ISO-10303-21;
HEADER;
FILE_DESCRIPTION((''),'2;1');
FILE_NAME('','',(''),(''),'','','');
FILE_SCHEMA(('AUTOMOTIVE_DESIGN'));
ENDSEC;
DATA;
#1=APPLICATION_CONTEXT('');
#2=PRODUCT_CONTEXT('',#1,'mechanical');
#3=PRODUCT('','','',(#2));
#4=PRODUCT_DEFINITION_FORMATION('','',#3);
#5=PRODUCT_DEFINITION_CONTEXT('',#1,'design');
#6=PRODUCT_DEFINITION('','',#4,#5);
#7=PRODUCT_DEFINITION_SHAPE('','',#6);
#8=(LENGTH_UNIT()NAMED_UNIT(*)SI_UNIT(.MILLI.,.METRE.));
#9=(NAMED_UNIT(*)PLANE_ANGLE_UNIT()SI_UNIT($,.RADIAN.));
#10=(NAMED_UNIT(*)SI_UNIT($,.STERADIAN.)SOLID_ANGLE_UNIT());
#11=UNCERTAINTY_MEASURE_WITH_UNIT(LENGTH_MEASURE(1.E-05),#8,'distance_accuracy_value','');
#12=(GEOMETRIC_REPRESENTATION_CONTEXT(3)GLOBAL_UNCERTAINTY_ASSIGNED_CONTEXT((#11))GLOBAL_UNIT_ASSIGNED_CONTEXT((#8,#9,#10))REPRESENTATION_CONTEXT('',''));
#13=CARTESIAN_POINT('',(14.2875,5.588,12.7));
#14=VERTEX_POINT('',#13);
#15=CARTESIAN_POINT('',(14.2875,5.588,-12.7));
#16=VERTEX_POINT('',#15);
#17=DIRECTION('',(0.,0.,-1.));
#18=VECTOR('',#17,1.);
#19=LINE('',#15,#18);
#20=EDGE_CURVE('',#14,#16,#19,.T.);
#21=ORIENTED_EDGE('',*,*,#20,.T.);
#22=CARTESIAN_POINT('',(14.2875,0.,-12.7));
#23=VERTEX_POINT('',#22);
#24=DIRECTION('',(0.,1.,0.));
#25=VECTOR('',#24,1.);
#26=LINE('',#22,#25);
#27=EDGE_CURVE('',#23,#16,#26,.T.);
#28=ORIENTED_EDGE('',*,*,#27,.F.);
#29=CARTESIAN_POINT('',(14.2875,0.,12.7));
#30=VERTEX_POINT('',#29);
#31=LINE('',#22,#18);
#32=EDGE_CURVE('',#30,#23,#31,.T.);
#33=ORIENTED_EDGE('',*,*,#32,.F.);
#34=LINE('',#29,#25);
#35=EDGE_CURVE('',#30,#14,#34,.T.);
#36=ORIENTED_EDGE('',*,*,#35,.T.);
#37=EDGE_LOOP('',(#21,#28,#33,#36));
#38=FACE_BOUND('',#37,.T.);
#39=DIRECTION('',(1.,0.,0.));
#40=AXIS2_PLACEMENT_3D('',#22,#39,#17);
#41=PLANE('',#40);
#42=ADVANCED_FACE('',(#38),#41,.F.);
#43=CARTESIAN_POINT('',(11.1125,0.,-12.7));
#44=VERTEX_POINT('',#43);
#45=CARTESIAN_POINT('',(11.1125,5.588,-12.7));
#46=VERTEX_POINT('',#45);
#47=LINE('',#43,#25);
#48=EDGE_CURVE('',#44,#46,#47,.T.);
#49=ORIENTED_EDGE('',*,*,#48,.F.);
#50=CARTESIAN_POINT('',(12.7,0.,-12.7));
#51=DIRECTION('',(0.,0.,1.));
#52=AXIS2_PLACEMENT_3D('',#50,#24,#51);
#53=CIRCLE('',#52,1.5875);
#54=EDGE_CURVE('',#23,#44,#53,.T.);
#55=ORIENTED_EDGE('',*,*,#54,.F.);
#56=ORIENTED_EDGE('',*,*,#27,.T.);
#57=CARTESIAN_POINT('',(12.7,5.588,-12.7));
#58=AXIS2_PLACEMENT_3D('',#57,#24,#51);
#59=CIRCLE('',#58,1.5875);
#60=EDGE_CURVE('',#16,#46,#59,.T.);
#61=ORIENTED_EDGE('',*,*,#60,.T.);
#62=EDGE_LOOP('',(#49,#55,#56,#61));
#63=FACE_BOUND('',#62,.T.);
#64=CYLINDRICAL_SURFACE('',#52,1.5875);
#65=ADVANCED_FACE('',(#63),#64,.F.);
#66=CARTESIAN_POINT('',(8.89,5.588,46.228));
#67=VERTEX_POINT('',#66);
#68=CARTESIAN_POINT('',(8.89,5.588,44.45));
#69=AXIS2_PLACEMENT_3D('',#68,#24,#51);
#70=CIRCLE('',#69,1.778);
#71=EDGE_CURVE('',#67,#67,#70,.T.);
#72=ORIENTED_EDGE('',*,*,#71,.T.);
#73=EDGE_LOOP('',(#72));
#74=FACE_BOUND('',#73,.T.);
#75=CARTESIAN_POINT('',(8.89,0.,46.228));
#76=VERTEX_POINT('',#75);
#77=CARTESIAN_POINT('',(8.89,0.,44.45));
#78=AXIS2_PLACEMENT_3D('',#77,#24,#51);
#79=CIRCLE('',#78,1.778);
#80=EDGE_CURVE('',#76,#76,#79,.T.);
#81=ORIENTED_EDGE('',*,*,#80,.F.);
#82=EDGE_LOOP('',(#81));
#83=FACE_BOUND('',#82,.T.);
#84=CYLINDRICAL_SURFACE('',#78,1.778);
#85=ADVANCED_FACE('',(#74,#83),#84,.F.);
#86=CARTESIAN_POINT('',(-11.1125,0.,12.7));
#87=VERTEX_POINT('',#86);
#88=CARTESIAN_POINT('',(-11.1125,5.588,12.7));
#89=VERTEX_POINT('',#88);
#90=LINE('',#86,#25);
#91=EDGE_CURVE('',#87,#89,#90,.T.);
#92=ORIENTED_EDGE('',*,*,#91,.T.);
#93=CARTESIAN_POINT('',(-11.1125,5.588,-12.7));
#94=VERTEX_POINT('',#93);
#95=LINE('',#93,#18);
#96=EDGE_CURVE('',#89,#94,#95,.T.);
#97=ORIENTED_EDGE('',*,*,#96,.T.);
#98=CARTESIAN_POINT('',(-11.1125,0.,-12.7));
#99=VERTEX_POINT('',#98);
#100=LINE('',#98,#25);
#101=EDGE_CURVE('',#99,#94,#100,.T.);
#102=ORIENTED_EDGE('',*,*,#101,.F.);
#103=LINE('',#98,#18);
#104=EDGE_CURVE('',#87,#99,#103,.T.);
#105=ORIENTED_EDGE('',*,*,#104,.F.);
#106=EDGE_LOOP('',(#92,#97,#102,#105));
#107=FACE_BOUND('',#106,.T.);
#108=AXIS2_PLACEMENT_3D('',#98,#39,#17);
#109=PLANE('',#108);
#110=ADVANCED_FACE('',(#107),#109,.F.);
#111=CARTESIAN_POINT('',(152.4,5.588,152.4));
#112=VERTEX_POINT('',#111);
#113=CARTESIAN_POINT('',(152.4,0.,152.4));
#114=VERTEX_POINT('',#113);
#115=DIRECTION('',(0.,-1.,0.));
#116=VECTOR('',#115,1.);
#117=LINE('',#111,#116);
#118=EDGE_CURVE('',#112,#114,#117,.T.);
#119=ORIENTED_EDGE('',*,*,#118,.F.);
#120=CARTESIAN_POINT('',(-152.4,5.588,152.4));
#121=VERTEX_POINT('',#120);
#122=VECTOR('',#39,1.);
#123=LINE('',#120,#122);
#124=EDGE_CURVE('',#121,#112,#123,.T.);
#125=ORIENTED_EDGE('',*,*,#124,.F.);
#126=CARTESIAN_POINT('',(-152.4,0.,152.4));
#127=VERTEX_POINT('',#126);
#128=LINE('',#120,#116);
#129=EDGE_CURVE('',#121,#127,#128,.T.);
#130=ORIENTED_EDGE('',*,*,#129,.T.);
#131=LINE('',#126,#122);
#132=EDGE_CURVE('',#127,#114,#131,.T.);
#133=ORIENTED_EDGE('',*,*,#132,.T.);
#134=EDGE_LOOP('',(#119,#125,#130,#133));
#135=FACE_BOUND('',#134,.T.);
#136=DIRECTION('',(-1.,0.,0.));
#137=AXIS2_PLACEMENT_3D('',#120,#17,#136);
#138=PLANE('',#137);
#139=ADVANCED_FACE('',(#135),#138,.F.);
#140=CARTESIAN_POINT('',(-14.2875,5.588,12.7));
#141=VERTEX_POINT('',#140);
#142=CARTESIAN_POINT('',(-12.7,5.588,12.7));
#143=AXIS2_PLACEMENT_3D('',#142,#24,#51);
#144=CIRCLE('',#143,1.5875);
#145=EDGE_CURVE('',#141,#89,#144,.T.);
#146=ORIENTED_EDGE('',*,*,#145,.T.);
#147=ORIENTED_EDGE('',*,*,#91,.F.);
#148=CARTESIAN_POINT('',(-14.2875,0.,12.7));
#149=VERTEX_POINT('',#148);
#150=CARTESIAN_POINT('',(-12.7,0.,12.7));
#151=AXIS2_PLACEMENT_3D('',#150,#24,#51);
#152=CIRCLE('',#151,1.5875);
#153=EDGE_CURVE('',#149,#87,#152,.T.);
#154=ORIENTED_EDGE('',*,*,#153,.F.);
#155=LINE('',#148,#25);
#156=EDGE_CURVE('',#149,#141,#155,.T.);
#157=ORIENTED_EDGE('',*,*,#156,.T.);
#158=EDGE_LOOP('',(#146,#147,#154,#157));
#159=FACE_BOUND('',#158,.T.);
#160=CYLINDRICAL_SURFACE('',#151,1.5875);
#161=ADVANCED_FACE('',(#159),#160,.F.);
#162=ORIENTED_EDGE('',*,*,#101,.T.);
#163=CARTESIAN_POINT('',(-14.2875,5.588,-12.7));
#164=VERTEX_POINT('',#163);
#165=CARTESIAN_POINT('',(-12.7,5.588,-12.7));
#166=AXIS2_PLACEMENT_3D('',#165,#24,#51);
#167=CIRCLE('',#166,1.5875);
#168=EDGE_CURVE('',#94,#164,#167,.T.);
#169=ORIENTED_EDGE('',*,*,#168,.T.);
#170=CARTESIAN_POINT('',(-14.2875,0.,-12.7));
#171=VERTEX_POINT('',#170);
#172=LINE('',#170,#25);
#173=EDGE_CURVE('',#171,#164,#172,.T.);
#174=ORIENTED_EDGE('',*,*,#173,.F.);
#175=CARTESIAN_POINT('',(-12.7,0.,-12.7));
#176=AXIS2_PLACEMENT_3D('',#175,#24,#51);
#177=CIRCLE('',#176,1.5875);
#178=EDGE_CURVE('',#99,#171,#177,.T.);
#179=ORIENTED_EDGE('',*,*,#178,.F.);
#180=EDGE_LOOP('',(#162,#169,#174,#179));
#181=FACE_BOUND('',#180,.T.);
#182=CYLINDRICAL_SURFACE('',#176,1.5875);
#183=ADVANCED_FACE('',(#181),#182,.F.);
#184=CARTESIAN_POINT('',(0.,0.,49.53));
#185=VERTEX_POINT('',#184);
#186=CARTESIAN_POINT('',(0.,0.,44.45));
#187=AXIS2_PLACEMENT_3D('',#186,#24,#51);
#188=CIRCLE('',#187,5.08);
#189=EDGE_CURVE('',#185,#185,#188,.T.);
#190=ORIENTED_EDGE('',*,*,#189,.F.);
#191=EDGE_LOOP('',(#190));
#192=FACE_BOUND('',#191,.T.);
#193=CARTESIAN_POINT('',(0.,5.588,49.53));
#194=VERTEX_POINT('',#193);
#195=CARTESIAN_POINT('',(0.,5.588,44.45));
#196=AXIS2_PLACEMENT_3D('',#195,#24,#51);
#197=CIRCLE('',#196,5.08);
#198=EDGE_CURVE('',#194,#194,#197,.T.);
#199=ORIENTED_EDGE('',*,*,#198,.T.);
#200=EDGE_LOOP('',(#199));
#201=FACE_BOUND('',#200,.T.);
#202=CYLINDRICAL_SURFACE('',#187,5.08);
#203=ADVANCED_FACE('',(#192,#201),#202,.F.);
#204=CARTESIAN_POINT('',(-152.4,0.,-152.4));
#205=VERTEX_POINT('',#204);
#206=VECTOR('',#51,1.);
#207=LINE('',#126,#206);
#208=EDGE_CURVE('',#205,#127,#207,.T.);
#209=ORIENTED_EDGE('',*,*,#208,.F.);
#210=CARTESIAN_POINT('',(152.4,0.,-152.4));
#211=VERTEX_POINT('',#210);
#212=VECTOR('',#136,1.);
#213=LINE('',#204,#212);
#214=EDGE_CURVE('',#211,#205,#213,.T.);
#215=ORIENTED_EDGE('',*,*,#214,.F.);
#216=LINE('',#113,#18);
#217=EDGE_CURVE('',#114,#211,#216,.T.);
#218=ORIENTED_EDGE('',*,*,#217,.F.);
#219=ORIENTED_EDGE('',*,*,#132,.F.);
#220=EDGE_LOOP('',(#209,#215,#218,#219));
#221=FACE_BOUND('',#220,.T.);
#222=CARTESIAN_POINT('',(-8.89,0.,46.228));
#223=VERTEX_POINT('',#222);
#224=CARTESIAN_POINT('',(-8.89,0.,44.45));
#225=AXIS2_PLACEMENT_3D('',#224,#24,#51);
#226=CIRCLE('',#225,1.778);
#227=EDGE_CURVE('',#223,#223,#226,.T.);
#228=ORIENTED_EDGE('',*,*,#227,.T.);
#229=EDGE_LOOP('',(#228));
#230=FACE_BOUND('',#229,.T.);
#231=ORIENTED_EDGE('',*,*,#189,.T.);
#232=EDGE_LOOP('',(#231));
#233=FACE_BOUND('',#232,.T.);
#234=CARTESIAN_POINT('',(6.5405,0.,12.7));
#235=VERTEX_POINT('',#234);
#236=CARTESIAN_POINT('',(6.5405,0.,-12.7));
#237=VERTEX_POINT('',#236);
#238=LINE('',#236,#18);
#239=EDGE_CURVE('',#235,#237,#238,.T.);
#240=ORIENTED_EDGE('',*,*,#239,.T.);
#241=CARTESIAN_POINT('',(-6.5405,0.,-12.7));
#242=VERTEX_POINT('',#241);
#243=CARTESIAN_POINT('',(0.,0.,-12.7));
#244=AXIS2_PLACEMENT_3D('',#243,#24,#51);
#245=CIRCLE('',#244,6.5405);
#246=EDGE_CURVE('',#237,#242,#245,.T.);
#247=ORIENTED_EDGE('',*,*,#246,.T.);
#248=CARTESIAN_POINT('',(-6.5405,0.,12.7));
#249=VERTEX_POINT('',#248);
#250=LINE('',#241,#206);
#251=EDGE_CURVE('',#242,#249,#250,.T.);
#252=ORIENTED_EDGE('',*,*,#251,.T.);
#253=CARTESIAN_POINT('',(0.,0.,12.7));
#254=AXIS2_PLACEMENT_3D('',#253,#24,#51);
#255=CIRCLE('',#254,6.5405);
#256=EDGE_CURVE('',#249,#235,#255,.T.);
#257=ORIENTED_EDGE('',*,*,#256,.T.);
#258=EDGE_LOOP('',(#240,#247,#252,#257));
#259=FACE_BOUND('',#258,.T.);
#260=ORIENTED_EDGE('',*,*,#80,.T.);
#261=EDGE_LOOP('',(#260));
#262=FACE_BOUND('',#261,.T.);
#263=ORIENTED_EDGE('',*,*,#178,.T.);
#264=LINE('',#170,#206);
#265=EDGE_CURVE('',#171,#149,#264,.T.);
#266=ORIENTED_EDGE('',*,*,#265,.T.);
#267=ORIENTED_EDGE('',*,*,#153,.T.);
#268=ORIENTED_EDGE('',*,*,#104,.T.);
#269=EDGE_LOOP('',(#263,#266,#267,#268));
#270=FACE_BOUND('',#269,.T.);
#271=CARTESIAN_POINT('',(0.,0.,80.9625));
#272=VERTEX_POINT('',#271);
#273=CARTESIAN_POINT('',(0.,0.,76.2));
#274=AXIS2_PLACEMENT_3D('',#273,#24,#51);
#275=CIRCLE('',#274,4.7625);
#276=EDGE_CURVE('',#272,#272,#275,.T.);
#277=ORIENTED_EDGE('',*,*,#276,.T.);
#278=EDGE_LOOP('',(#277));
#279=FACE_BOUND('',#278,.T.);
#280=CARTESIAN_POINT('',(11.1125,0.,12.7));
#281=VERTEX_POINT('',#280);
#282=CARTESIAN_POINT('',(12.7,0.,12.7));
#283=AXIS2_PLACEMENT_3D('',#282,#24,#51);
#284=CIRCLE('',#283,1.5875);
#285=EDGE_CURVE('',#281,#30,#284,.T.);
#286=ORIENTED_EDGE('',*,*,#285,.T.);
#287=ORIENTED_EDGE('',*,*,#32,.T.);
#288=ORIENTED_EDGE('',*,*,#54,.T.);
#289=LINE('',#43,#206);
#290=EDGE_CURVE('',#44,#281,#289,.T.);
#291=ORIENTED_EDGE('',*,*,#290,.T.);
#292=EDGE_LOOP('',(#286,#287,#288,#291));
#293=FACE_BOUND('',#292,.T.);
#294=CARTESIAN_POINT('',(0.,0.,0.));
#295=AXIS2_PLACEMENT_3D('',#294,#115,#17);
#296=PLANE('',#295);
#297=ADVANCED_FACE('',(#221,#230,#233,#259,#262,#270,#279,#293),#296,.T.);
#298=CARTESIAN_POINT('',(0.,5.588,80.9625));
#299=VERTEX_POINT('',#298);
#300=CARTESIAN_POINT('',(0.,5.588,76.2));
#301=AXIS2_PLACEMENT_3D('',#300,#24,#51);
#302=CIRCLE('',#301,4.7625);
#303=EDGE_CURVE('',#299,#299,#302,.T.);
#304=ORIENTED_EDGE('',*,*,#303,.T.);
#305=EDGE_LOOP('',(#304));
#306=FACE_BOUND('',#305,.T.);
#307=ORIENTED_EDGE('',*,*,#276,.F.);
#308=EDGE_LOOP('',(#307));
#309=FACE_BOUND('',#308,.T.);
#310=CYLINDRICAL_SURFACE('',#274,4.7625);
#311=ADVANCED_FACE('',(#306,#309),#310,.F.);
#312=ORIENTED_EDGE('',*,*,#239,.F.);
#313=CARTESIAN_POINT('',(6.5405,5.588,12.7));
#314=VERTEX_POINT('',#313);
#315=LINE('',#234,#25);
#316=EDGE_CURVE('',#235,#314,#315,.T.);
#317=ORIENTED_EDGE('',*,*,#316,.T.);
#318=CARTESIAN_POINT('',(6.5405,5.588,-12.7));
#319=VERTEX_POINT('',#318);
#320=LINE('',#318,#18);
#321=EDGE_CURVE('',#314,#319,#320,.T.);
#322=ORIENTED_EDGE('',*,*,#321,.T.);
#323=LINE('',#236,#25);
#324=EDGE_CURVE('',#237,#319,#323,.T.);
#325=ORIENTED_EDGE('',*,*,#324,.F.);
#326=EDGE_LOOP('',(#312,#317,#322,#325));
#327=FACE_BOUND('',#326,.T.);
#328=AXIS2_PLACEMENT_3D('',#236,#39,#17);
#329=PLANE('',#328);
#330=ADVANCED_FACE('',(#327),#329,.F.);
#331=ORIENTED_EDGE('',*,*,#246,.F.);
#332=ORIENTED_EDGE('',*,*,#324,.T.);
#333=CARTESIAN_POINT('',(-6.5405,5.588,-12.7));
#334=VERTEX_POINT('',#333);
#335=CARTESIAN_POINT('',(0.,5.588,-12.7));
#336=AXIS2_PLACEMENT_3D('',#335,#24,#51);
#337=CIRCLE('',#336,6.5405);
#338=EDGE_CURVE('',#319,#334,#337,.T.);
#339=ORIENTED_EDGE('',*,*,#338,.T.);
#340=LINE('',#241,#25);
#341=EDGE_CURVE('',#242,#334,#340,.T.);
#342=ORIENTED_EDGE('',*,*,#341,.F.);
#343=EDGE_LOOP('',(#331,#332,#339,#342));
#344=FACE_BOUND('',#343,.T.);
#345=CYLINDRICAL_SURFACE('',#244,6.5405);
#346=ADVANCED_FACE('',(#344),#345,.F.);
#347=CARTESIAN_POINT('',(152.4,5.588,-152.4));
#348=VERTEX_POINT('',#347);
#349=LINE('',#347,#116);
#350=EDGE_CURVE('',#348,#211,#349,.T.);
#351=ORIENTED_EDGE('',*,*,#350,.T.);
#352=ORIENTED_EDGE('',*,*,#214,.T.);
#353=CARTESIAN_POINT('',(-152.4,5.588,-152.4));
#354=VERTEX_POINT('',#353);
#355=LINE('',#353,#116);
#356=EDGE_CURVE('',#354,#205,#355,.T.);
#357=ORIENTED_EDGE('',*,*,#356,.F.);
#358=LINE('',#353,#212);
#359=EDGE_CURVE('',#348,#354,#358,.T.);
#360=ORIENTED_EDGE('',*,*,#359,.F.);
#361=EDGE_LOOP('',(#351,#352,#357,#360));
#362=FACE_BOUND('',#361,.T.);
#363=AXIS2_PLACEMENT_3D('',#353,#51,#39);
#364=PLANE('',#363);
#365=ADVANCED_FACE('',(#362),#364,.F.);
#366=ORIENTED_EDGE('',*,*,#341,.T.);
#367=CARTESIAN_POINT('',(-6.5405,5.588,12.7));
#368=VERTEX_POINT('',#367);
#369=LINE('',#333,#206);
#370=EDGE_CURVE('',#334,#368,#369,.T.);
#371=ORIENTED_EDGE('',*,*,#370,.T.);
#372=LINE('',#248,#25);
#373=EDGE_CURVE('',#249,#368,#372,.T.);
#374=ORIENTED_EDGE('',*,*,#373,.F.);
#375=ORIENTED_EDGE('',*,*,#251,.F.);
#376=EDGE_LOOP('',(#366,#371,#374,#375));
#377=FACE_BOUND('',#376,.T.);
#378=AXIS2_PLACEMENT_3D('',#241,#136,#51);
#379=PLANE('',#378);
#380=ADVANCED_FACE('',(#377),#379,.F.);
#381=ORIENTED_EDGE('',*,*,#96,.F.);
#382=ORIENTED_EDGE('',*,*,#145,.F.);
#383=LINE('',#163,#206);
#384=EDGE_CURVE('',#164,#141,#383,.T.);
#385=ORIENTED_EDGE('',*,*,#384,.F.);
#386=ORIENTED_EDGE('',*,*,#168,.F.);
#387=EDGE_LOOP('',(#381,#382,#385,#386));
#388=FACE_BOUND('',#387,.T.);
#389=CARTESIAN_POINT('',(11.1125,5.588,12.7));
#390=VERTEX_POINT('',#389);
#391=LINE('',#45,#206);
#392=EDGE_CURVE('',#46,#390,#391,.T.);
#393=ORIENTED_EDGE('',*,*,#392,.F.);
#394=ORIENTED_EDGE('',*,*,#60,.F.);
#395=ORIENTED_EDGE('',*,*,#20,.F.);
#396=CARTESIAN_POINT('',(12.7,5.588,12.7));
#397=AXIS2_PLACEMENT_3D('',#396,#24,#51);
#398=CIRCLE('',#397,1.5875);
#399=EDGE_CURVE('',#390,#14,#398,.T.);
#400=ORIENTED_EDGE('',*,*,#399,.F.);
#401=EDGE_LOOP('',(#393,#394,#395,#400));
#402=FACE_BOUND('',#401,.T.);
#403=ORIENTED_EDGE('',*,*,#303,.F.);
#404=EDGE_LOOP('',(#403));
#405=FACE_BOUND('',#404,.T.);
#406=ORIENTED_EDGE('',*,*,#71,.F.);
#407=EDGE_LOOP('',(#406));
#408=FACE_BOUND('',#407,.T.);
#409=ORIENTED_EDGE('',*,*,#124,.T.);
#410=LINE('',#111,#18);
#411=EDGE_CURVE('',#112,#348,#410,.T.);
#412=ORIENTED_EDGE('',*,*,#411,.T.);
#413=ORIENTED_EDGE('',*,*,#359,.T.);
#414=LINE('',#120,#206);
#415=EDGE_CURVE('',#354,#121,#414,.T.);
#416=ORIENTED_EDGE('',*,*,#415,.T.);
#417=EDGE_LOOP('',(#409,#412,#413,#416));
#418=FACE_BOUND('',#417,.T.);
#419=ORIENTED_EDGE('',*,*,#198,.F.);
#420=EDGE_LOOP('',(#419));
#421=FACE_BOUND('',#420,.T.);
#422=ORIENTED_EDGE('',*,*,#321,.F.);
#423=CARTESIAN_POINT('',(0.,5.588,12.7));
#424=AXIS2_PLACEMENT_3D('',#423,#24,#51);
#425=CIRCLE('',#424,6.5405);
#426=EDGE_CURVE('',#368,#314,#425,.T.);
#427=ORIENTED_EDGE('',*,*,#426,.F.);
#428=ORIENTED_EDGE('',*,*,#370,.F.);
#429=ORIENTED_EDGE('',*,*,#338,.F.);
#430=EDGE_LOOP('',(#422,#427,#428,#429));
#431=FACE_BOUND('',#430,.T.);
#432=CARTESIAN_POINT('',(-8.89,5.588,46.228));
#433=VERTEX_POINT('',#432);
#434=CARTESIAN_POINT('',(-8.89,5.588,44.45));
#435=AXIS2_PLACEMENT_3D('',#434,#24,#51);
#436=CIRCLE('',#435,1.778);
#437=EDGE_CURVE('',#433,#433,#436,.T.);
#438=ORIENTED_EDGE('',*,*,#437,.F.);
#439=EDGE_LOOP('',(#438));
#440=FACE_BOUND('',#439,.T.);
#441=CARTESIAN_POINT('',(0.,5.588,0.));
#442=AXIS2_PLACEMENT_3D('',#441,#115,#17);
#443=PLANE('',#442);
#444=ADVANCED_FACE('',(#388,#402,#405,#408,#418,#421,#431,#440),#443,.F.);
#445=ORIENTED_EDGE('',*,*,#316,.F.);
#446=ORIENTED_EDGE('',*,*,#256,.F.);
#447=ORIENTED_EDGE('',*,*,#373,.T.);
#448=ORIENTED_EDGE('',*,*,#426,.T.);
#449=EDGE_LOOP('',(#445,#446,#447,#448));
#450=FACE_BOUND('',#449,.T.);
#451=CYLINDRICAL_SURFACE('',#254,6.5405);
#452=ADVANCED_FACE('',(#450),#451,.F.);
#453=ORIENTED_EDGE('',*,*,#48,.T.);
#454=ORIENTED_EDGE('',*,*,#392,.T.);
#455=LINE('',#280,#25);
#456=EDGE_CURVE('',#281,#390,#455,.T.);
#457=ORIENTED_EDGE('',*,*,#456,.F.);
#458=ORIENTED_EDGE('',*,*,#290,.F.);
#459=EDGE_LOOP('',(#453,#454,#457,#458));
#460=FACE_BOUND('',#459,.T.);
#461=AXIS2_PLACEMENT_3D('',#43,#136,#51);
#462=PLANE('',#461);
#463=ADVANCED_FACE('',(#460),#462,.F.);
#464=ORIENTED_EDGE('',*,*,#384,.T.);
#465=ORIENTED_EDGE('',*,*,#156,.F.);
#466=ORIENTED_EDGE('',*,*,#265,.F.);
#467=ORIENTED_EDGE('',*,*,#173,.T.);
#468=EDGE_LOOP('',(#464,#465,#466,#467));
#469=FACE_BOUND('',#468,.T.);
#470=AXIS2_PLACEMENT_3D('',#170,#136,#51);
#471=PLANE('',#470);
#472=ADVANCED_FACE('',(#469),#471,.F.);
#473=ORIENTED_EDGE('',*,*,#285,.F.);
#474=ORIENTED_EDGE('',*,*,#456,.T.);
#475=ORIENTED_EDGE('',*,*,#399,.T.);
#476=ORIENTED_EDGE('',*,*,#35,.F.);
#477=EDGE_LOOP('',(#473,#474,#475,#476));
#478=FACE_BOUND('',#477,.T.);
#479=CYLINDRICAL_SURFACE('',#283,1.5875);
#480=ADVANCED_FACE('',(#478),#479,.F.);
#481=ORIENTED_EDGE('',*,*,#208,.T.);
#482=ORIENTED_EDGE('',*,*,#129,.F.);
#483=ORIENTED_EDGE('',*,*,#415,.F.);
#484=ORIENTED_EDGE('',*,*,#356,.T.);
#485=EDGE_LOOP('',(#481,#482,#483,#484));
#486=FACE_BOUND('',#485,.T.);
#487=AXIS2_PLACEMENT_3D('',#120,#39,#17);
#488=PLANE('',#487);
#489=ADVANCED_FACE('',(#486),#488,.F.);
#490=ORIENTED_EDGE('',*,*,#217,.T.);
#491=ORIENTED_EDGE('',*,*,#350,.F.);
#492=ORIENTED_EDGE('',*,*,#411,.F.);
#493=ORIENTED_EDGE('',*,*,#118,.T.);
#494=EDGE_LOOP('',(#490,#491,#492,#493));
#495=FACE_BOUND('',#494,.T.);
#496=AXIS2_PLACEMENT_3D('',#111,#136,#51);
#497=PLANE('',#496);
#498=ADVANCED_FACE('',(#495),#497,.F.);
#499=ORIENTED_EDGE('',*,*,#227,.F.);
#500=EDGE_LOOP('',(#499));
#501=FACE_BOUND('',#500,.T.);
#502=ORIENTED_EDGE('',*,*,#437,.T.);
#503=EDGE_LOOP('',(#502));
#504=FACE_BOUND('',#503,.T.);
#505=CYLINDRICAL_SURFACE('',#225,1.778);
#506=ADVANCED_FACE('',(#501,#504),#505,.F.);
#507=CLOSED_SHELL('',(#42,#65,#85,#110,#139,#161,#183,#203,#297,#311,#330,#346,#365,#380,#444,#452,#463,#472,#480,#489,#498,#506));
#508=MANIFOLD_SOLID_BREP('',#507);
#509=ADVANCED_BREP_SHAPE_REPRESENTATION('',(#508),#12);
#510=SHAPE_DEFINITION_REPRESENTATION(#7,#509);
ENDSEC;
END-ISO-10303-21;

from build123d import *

# Parameters (mm, degrees)
SKETCH1_W           = 304.8
SKETCH1_H           = 304.8
BOSS_EXTRUDE1_DEPTH = 5.588
SKETCH2_R           = 4.7625
SKETCH2_R_2         = 5.08
SKETCH2_R_3         = 1.778
CUT_EXTRUDE1_DEPTH  = 216.598575468


with BuildPart() as part:
    # Sketch1 → Boss-Extrude1 (new body)
    with BuildSketch(Plane(origin=(0, 0, 0), x_dir=(1, 0, 0), z_dir=(0, 1, 0))):
        Rectangle(SKETCH1_W, SKETCH1_H)
    extrude(amount=BOSS_EXTRUDE1_DEPTH)

    # Sketch2 → Cut-Extrude1 (cut, through all)
    with BuildSketch(Plane(origin=(0, 5.588, 0), x_dir=(1, 0, 0), z_dir=(0, 1, 0))):
        with Locations(Location((0, -76.2, 0), (0, 0, 270))):
            Circle(SKETCH2_R)
        with Locations(Location((0, -44.45, 0), (0, 0, 270))):
            Circle(SKETCH2_R_2)
        with Locations(Location((-8.89, -44.45, 0), (0, 0, 270))):
            Circle(SKETCH2_R_3)
        with Locations(Location((8.89, -44.45, 0), (0, 0, 270))):
            Circle(SKETCH2_R_3)
        with BuildLine():
            Line((6.5405, 12.7), (6.5405, -12.7))
            ThreePointArc((6.5405, -12.7), (0, -19.2405), (-6.5405, -12.7))
            Line((-6.5405, -12.7), (-6.5405, 12.7))
            ThreePointArc((-6.5405, 12.7), (0, 19.2405), (6.5405, 12.7))
        make_face()
        with BuildLine():
            Line((-11.1125, 12.7), (-11.1125, -12.7))
            ThreePointArc((-11.1125, -12.7), (-12.7, -14.2875), (-14.2875, -12.7))
            Line((-14.2875, -12.7), (-14.2875, 12.7))
            ThreePointArc((-14.2875, 12.7), (-12.7, 14.2875), (-11.1125, 12.7))
        make_face()
        with BuildLine():
            Line((14.2875, 12.7), (14.2875, -12.7))
            ThreePointArc((14.2875, -12.7), (12.7, -14.2875), (11.1125, -12.7))
            Line((11.1125, -12.7), (11.1125, 12.7))
            ThreePointArc((11.1125, 12.7), (12.7, 14.2875), (14.2875, 12.7))
        make_face()
    extrude(amount=-CUT_EXTRUDE1_DEPTH, mode=Mode.SUBTRACT)


solid = part.part
